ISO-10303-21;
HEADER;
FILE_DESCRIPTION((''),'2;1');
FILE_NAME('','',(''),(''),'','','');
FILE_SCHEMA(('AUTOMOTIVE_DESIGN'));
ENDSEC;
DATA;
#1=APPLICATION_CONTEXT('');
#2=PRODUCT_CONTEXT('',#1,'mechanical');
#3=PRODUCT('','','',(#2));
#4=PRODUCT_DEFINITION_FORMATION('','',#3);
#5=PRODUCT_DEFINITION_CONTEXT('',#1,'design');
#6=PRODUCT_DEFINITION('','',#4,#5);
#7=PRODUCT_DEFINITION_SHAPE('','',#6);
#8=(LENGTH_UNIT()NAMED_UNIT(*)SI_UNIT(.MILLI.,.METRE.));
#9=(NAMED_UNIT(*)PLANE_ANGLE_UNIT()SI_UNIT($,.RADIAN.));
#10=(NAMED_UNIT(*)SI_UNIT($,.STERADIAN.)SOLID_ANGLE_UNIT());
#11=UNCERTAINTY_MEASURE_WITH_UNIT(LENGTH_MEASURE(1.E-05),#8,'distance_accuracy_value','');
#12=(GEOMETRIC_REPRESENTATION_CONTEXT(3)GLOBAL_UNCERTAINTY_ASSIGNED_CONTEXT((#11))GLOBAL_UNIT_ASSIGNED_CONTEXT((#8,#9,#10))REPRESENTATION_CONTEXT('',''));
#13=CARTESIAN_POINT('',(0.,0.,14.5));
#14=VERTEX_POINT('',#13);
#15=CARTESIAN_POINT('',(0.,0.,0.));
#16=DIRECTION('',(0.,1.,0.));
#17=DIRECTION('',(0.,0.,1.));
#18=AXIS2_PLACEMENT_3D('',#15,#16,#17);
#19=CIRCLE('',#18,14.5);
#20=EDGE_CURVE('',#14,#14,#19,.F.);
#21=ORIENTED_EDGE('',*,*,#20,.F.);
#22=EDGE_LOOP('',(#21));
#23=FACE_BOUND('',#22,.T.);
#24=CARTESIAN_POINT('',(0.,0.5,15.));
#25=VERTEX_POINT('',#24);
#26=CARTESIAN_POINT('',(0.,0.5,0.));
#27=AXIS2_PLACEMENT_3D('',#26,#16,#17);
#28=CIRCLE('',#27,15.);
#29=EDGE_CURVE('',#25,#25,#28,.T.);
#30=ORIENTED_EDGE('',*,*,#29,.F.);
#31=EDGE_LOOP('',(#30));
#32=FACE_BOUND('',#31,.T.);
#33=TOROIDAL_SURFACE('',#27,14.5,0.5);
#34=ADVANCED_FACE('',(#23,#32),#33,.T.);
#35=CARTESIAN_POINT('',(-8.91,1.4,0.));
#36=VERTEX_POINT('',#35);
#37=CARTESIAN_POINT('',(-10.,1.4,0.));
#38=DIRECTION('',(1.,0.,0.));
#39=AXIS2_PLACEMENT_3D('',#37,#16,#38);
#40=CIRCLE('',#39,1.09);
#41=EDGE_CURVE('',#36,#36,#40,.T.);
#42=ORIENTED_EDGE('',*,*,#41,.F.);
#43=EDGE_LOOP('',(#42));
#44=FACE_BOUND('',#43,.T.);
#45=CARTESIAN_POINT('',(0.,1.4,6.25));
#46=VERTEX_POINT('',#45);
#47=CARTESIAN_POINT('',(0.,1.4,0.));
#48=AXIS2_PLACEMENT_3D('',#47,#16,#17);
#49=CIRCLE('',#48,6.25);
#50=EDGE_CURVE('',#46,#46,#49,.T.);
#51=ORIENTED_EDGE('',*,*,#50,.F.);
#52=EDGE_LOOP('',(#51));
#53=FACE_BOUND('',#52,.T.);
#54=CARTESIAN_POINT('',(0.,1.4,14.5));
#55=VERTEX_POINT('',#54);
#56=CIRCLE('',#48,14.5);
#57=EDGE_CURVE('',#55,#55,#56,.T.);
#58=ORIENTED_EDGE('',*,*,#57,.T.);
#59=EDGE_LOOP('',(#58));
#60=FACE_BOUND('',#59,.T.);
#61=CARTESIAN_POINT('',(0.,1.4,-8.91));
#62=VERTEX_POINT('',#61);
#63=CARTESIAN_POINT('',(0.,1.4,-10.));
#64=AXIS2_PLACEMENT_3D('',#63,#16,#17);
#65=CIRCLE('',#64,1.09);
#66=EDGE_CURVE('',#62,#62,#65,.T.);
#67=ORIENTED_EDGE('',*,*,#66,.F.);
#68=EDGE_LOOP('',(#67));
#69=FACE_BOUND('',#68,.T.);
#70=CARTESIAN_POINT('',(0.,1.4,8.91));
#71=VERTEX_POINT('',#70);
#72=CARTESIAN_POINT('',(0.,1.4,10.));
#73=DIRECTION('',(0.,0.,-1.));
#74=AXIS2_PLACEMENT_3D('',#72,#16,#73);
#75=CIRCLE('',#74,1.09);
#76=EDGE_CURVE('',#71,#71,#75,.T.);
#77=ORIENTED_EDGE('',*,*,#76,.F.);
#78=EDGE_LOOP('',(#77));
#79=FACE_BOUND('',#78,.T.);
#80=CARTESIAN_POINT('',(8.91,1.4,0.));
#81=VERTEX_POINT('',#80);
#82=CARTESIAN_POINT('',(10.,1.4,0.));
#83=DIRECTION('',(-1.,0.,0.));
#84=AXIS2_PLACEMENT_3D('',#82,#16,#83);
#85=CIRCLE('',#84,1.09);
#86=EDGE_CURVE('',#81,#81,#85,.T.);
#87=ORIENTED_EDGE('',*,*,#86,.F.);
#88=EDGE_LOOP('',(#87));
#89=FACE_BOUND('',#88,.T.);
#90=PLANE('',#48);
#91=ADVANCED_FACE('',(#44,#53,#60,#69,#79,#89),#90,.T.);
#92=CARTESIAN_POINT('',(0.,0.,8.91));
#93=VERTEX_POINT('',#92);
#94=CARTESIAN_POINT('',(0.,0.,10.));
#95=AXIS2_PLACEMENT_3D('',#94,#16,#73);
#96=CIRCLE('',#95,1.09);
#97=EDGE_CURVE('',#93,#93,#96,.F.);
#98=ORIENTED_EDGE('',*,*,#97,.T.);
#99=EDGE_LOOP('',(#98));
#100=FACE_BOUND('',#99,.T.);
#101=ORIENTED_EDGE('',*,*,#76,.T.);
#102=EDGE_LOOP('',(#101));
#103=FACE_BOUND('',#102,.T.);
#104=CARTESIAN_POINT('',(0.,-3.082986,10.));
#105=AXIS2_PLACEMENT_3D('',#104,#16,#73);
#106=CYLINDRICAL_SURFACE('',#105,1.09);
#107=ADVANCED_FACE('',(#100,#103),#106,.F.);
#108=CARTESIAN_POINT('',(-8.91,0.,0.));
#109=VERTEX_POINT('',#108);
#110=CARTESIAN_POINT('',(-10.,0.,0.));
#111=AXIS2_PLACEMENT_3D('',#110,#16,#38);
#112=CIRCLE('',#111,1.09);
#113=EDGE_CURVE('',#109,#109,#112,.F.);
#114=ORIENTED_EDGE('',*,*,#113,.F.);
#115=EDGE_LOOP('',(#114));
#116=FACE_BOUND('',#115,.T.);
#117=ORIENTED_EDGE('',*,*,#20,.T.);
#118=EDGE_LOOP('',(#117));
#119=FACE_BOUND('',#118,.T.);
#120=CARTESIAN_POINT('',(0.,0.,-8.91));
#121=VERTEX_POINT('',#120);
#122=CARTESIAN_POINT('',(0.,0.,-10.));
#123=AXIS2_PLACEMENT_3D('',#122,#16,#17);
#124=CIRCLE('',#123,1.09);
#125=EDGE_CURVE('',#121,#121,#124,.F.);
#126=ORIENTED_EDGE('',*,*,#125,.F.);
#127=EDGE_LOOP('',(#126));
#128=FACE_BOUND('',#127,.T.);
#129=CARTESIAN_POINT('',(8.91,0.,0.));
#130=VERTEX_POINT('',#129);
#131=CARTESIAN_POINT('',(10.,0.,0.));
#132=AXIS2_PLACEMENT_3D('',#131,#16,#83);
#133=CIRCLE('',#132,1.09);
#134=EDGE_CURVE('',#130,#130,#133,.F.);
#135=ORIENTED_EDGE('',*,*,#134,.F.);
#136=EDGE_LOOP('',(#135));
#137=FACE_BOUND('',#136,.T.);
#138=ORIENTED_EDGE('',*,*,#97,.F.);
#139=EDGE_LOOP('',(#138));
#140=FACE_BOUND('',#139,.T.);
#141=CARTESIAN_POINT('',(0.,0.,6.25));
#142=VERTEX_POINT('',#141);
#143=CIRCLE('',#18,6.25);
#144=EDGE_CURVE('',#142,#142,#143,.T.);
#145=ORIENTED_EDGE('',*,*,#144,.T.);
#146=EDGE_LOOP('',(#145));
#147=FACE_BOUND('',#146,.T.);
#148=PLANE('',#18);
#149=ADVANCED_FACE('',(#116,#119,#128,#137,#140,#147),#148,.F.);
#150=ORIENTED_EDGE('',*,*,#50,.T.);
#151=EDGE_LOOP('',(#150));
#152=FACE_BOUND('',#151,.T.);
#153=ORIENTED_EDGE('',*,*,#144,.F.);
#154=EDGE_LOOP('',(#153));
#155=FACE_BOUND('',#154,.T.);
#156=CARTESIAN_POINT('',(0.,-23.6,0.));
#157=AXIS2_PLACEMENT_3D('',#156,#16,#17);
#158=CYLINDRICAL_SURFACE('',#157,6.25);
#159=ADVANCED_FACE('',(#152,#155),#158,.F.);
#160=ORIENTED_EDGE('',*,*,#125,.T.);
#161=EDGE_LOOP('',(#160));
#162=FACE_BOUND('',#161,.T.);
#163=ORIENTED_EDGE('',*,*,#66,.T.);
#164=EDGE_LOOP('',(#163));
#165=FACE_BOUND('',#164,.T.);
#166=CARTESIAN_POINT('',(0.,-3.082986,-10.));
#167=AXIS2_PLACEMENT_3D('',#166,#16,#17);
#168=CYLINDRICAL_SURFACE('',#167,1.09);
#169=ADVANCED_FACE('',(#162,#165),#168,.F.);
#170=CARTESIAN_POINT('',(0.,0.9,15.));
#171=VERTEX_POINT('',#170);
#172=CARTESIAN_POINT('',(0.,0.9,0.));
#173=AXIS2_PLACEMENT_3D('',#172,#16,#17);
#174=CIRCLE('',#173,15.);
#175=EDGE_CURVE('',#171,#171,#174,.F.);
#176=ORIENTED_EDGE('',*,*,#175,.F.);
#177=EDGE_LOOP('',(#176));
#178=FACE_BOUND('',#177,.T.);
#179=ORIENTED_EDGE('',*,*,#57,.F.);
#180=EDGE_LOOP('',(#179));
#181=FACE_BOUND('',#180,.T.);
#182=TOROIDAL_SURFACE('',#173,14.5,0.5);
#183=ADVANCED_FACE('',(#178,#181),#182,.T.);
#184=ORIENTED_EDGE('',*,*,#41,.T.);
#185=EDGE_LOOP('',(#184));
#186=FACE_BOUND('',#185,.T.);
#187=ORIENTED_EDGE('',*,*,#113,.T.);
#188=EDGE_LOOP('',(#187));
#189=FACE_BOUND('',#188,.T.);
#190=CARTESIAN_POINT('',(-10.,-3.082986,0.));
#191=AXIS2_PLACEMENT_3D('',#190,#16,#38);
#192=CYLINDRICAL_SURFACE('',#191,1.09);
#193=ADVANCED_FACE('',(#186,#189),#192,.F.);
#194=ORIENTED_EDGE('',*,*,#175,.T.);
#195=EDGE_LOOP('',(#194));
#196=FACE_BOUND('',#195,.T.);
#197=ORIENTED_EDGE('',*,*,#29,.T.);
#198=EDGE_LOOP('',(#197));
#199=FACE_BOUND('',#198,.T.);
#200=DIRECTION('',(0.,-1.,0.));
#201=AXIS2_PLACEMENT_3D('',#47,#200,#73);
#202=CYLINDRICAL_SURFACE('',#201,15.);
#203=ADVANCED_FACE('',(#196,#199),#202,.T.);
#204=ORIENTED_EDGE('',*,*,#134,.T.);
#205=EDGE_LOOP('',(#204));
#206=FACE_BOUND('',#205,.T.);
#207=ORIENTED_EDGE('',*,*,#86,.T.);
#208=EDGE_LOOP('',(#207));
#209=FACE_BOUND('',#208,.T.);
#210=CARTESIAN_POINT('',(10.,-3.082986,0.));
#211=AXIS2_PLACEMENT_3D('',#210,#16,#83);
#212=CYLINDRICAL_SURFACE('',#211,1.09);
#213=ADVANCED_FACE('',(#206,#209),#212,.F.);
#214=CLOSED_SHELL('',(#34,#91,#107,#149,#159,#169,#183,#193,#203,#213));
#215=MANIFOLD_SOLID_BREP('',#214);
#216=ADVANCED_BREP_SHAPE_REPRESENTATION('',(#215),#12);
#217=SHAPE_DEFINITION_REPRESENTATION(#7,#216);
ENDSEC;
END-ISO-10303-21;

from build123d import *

# Parameters (mm, degrees)
SKETCH1_R           = 15
BOSS_EXTRUDE1_DEPTH = 1.4
SKETCH2_R           = 1.09
CUT_EXTRUDE1_DEPTH  = 1.4
CIRPATTERN1_COUNT   = 4
FILLET1_R           = 0.5
SKETCH5_R           = 6.25
CUT_EXTRUDE2_DEPTH  = 25


with BuildPart() as part:
    # Sketch1 → Boss-Extrude1 (new body)
    with BuildSketch(Plane(origin=(0, 0, 0), x_dir=(1, 0, 0), z_dir=(0, 1, 0))):
        with Locations(Location((0, 0, 0), (0, 0, 270))):
            Circle(SKETCH1_R)
    extrude(amount=BOSS_EXTRUDE1_DEPTH)

    # Sketch2 → Cut-Extrude1 (cut)
    with BuildSketch(Plane(origin=(0, 1.4, 0), x_dir=(1, 0, 0), z_dir=(0, 1, 0))):
        with Locations(Location((0, 10, 0), (0, 0, 270))):
            Circle(SKETCH2_R)
    cut_extrude1 = extrude(amount=-CUT_EXTRUDE1_DEPTH, mode=Mode.SUBTRACT)

    # CirPattern1: Cut-Extrude1 ×4 about axis
    cirpattern1_axis = Axis((0, 0, 0), (0, 1, 0))
    for i in range(1, CIRPATTERN1_COUNT):
        add(cut_extrude1.rotate(cirpattern1_axis, i * 360 / CIRPATTERN1_COUNT), mode=Mode.SUBTRACT)

    # Fillet1
    fillet1_edges = [part.edges().sort_by_distance(p)[0] for p in [
        (0, 0, -15),
        (0, 1.4, -15),
    ]]
    fillet(fillet1_edges, radius=FILLET1_R)

    # Sketch5 → Cut-Extrude2 (cut, symmetric)
    with BuildSketch(Plane(origin=(0, 1.4, 0), x_dir=(1, 0, 0), z_dir=(0, 1, 0))):
        with Locations(Location((0, 0, 0), (0, 0, 270))):
            Circle(SKETCH5_R)
    extrude(amount=CUT_EXTRUDE2_DEPTH, both=True, mode=Mode.SUBTRACT)


solid = part.part
